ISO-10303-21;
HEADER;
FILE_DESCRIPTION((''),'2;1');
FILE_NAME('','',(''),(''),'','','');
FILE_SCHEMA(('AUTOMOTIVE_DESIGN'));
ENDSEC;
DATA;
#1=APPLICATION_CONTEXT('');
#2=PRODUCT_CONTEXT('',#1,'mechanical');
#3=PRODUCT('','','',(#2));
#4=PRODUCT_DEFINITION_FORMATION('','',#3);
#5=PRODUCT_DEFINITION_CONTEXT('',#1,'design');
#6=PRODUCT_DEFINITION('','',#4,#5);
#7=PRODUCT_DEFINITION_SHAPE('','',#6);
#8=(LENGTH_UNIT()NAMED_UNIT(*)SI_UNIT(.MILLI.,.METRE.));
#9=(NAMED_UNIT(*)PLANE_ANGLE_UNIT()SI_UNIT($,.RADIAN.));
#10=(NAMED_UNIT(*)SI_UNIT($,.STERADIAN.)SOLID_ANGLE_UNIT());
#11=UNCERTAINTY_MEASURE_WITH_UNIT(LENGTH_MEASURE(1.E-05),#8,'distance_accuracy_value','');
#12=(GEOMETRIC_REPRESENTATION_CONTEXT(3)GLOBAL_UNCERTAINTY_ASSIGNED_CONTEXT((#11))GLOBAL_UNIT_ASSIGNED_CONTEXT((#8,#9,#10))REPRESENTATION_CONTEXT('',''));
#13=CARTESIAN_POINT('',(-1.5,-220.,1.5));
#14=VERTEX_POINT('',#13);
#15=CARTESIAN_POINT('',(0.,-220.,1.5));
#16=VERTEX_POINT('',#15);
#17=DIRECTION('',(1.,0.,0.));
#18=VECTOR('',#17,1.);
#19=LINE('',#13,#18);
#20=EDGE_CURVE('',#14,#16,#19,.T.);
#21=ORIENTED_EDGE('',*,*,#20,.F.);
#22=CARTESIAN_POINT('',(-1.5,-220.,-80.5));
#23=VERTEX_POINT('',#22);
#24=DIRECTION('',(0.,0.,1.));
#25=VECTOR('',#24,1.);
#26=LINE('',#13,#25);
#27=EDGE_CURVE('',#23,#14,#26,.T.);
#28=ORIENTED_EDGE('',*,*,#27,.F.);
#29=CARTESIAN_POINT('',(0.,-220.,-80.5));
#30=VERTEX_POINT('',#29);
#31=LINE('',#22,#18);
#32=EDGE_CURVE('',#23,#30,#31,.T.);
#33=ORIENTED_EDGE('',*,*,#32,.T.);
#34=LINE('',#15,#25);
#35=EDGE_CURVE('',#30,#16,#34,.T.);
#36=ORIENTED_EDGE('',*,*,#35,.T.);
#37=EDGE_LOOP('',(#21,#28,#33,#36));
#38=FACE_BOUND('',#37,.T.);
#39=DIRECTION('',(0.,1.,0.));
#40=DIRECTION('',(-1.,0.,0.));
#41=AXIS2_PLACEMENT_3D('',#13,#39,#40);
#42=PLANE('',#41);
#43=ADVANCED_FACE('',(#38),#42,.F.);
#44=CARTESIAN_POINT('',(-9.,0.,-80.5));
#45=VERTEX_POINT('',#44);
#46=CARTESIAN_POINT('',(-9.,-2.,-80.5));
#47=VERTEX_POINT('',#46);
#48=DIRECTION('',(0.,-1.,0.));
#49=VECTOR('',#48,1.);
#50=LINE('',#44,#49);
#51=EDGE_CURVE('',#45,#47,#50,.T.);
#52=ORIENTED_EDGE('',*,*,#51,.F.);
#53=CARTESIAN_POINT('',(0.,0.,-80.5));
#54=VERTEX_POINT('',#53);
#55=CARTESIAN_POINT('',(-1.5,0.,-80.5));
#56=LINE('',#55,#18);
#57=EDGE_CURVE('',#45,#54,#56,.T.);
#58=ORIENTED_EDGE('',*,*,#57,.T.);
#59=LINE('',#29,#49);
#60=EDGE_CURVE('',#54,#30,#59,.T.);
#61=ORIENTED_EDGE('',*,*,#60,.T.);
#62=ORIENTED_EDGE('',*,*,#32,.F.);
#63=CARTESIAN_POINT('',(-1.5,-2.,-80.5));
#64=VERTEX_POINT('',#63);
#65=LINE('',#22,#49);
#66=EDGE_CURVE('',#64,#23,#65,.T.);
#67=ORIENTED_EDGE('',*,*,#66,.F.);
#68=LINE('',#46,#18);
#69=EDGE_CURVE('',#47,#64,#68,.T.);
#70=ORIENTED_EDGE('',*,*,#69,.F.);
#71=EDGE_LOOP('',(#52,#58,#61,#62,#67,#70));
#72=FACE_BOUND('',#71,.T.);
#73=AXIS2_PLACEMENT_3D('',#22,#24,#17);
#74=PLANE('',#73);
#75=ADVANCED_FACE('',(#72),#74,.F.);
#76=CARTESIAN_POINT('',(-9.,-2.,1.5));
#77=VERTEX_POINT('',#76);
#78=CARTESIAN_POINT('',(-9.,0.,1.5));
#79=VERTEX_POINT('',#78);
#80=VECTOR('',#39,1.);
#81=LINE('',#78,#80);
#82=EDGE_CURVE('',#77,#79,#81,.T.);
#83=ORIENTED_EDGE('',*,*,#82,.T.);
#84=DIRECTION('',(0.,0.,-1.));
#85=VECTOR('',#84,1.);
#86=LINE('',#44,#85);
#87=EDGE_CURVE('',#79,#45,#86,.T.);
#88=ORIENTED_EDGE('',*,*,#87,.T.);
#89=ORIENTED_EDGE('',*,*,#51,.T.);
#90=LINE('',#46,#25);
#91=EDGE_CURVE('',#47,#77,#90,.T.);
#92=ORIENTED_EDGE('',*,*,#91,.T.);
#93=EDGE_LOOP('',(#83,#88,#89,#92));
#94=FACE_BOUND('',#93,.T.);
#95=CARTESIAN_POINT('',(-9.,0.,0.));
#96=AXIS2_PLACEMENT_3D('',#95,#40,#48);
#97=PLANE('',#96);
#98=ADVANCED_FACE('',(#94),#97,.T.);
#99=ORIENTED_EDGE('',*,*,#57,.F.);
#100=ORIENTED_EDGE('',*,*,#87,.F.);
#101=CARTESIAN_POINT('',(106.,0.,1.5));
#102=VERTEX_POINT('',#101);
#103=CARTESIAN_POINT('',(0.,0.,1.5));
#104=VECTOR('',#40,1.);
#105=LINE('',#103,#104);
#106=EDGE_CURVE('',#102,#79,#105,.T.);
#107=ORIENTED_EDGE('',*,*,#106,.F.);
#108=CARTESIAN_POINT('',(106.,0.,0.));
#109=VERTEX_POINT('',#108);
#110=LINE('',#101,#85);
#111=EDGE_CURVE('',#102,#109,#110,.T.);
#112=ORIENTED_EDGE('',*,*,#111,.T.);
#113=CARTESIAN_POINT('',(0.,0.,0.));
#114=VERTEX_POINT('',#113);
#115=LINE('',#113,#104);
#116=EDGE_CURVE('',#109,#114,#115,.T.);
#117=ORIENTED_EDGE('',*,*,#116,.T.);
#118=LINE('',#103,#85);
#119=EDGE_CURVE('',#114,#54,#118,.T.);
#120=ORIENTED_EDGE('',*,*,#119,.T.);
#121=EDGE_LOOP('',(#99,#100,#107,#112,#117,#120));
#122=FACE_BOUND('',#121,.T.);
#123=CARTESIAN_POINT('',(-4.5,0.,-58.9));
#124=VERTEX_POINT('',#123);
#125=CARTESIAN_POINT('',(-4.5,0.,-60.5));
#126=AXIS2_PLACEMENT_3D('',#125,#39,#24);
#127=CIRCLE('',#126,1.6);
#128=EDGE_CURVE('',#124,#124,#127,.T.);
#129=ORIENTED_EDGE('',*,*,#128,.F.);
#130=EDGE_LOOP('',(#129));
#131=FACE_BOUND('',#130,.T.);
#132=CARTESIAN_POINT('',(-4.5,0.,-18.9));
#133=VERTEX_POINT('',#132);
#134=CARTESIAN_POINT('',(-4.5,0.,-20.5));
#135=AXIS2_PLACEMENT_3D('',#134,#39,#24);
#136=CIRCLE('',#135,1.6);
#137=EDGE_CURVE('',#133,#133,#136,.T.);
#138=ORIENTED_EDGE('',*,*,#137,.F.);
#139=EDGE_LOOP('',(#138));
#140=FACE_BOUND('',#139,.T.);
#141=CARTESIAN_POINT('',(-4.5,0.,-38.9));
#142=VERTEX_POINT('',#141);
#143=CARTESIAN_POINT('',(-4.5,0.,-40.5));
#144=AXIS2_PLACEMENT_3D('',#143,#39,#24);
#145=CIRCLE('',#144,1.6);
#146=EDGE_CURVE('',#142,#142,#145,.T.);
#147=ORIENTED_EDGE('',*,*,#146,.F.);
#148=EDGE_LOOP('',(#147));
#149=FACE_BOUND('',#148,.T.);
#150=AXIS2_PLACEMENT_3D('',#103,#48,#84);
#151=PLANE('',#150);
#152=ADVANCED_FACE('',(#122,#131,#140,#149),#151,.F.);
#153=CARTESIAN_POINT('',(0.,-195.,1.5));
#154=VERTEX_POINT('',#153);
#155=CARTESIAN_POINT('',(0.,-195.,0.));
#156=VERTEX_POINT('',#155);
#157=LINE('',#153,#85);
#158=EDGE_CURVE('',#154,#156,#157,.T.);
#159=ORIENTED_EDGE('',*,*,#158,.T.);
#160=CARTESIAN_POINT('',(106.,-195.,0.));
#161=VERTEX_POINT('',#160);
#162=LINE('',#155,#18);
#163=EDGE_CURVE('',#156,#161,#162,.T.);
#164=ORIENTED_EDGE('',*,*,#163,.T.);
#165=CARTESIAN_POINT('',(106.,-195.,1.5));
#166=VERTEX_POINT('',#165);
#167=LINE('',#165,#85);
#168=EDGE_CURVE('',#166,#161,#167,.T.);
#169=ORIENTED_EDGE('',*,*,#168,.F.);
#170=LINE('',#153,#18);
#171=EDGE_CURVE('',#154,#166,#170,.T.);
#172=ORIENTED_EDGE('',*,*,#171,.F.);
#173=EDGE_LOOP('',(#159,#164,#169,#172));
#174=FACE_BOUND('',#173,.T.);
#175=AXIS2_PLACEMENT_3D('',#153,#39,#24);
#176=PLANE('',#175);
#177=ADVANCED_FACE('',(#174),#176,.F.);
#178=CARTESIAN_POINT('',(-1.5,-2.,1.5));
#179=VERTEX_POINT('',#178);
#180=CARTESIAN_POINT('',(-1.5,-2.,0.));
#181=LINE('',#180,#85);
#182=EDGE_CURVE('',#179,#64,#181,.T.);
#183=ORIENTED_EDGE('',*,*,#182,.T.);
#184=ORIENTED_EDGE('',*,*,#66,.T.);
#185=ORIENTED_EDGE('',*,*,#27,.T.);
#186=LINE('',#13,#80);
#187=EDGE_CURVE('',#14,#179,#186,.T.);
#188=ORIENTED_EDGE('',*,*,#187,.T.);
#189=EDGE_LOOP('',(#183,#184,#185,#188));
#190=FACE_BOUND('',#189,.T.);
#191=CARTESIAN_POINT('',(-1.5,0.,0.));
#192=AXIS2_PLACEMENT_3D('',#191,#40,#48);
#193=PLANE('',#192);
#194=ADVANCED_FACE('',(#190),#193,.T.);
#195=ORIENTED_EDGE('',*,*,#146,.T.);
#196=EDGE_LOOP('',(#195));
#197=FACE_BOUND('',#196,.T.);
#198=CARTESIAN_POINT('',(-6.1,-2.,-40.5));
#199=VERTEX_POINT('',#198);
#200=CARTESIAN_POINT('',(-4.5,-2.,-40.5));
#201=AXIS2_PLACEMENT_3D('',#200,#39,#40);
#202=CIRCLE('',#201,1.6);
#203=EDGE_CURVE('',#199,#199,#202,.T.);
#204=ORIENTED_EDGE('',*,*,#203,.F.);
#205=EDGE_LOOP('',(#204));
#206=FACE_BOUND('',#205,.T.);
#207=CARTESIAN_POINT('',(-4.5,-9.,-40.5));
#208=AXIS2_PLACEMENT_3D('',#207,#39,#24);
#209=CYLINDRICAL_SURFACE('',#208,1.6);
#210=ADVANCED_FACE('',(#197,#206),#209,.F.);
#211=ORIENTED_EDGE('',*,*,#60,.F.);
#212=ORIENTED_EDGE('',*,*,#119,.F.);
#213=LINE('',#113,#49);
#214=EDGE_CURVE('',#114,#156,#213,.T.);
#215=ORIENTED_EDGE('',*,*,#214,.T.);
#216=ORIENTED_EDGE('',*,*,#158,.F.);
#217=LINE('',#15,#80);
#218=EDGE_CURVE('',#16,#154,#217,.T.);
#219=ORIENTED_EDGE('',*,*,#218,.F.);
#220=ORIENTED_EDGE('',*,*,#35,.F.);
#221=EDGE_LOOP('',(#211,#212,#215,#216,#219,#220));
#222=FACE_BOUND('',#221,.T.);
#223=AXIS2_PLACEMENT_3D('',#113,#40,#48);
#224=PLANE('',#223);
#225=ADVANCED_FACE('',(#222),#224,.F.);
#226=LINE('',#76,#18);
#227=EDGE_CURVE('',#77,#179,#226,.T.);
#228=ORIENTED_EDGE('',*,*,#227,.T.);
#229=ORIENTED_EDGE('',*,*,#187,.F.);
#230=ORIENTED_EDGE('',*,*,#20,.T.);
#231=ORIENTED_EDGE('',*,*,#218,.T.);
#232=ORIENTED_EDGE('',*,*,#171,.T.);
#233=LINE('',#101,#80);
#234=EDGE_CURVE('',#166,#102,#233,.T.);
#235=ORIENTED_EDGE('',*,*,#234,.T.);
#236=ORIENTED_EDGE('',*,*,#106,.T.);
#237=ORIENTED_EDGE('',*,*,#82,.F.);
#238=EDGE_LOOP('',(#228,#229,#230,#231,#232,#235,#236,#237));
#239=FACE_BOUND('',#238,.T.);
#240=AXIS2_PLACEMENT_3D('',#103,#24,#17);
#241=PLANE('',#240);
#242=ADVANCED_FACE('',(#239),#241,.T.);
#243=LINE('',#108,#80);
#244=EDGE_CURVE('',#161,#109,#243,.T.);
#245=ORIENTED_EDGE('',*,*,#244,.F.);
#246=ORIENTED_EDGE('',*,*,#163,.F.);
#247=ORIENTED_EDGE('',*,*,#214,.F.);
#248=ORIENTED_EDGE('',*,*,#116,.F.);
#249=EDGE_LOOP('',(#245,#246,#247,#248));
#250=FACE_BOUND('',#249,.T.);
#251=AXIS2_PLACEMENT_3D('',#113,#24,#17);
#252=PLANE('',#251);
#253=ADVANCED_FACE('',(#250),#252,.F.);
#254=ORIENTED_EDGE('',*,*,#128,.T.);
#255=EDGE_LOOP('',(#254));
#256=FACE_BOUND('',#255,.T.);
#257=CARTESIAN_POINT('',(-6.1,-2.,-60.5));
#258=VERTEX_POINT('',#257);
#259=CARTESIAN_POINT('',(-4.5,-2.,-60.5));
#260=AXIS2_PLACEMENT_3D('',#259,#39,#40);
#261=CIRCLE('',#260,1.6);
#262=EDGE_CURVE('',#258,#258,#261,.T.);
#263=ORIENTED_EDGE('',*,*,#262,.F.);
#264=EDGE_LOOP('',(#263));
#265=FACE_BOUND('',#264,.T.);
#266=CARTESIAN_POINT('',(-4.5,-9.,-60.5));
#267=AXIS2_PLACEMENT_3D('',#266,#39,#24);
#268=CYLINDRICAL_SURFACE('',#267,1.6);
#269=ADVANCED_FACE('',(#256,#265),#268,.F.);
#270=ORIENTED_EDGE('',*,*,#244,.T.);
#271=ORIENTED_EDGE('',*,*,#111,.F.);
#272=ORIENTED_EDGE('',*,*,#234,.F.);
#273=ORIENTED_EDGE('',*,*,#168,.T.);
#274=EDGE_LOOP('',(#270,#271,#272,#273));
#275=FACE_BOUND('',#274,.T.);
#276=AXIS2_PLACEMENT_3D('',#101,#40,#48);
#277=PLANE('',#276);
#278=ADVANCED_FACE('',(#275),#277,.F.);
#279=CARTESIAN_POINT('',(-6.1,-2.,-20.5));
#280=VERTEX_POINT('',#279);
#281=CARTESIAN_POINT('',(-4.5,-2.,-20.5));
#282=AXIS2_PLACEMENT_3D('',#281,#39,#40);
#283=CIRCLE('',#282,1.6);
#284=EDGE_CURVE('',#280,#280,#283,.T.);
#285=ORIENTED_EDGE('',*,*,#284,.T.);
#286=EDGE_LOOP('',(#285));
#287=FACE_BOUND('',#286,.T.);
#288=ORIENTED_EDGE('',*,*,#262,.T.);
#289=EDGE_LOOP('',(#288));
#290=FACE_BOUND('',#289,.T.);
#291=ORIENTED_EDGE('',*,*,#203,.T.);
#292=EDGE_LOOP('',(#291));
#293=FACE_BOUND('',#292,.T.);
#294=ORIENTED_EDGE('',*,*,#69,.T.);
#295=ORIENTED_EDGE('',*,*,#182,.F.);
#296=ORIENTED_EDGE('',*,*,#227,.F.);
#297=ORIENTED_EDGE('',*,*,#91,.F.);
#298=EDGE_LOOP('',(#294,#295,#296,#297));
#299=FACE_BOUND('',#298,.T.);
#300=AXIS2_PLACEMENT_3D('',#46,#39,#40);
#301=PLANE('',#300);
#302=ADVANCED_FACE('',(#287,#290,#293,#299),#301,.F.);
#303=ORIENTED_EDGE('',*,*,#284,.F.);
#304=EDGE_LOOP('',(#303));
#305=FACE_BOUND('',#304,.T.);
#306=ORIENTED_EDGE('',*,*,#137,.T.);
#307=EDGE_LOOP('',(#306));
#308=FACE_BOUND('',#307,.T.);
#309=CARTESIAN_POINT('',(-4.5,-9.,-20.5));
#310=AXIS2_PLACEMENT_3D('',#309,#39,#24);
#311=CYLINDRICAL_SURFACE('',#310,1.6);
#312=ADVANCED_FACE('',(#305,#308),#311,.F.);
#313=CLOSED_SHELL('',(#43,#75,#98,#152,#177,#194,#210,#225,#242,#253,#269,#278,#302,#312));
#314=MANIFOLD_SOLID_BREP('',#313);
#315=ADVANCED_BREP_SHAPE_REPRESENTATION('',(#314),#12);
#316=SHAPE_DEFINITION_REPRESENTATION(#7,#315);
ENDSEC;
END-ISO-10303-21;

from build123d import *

# Parameters (mm, degrees)
SKETCH_1_W          = 106
SKETCH_1_H          = 195
EXTRUDE_1_DEPTH     = 1.5
SKETCH_2_W          = 82
SKETCH_2_H          = 220
EXTRUDE_2_DEPTH     = 1.5
SKETCH_3_W          = 82
SKETCH_3_H          = 2
EXTRUDE_3_DEPTH     = 9
SKETCH_5_R          = 1.6
CUT_EXTRUDE_1_DEPTH = 9


with BuildPart() as part:
    # 草图1 → 凸台-拉伸1 (new body)
    with BuildSketch(Plane.XY):
        with Locations((53, -97.5)):
            Rectangle(SKETCH_1_W, SKETCH_1_H)
    extrude(amount=EXTRUDE_1_DEPTH)

    # 草图2 → 凸台-拉伸2 (add)
    with BuildSketch(Plane.ZY):
        with Locations((-39.5, -110)):
            Rectangle(SKETCH_2_W, SKETCH_2_H)
    extrude(amount=EXTRUDE_2_DEPTH)

    # 草图3 → 凸台-拉伸3 (add)
    with BuildSketch(Plane.ZY):
        with Locations((-39.5, -1)):
            Rectangle(SKETCH_3_W, SKETCH_3_H)
    extrude(amount=EXTRUDE_3_DEPTH)

    # 草图5 → 切除-拉伸1 (cut)
    with BuildSketch(Plane(origin=(0, 0, 0), x_dir=(1, 0, 0), z_dir=(0, 1, 0))):
        with Locations(Location((-4.5, 60.5, 0), (0, 0, 270))):
            Circle(SKETCH_5_R)
        with Locations(Location((-4.5, 40.5, 0), (0, 0, 270))):
            Circle(SKETCH_5_R)
        with Locations(Location((-4.5, 20.5, 0), (0, 0, 270))):
            Circle(SKETCH_5_R)
    extrude(amount=-CUT_EXTRUDE_1_DEPTH, mode=Mode.SUBTRACT)


solid = part.part
